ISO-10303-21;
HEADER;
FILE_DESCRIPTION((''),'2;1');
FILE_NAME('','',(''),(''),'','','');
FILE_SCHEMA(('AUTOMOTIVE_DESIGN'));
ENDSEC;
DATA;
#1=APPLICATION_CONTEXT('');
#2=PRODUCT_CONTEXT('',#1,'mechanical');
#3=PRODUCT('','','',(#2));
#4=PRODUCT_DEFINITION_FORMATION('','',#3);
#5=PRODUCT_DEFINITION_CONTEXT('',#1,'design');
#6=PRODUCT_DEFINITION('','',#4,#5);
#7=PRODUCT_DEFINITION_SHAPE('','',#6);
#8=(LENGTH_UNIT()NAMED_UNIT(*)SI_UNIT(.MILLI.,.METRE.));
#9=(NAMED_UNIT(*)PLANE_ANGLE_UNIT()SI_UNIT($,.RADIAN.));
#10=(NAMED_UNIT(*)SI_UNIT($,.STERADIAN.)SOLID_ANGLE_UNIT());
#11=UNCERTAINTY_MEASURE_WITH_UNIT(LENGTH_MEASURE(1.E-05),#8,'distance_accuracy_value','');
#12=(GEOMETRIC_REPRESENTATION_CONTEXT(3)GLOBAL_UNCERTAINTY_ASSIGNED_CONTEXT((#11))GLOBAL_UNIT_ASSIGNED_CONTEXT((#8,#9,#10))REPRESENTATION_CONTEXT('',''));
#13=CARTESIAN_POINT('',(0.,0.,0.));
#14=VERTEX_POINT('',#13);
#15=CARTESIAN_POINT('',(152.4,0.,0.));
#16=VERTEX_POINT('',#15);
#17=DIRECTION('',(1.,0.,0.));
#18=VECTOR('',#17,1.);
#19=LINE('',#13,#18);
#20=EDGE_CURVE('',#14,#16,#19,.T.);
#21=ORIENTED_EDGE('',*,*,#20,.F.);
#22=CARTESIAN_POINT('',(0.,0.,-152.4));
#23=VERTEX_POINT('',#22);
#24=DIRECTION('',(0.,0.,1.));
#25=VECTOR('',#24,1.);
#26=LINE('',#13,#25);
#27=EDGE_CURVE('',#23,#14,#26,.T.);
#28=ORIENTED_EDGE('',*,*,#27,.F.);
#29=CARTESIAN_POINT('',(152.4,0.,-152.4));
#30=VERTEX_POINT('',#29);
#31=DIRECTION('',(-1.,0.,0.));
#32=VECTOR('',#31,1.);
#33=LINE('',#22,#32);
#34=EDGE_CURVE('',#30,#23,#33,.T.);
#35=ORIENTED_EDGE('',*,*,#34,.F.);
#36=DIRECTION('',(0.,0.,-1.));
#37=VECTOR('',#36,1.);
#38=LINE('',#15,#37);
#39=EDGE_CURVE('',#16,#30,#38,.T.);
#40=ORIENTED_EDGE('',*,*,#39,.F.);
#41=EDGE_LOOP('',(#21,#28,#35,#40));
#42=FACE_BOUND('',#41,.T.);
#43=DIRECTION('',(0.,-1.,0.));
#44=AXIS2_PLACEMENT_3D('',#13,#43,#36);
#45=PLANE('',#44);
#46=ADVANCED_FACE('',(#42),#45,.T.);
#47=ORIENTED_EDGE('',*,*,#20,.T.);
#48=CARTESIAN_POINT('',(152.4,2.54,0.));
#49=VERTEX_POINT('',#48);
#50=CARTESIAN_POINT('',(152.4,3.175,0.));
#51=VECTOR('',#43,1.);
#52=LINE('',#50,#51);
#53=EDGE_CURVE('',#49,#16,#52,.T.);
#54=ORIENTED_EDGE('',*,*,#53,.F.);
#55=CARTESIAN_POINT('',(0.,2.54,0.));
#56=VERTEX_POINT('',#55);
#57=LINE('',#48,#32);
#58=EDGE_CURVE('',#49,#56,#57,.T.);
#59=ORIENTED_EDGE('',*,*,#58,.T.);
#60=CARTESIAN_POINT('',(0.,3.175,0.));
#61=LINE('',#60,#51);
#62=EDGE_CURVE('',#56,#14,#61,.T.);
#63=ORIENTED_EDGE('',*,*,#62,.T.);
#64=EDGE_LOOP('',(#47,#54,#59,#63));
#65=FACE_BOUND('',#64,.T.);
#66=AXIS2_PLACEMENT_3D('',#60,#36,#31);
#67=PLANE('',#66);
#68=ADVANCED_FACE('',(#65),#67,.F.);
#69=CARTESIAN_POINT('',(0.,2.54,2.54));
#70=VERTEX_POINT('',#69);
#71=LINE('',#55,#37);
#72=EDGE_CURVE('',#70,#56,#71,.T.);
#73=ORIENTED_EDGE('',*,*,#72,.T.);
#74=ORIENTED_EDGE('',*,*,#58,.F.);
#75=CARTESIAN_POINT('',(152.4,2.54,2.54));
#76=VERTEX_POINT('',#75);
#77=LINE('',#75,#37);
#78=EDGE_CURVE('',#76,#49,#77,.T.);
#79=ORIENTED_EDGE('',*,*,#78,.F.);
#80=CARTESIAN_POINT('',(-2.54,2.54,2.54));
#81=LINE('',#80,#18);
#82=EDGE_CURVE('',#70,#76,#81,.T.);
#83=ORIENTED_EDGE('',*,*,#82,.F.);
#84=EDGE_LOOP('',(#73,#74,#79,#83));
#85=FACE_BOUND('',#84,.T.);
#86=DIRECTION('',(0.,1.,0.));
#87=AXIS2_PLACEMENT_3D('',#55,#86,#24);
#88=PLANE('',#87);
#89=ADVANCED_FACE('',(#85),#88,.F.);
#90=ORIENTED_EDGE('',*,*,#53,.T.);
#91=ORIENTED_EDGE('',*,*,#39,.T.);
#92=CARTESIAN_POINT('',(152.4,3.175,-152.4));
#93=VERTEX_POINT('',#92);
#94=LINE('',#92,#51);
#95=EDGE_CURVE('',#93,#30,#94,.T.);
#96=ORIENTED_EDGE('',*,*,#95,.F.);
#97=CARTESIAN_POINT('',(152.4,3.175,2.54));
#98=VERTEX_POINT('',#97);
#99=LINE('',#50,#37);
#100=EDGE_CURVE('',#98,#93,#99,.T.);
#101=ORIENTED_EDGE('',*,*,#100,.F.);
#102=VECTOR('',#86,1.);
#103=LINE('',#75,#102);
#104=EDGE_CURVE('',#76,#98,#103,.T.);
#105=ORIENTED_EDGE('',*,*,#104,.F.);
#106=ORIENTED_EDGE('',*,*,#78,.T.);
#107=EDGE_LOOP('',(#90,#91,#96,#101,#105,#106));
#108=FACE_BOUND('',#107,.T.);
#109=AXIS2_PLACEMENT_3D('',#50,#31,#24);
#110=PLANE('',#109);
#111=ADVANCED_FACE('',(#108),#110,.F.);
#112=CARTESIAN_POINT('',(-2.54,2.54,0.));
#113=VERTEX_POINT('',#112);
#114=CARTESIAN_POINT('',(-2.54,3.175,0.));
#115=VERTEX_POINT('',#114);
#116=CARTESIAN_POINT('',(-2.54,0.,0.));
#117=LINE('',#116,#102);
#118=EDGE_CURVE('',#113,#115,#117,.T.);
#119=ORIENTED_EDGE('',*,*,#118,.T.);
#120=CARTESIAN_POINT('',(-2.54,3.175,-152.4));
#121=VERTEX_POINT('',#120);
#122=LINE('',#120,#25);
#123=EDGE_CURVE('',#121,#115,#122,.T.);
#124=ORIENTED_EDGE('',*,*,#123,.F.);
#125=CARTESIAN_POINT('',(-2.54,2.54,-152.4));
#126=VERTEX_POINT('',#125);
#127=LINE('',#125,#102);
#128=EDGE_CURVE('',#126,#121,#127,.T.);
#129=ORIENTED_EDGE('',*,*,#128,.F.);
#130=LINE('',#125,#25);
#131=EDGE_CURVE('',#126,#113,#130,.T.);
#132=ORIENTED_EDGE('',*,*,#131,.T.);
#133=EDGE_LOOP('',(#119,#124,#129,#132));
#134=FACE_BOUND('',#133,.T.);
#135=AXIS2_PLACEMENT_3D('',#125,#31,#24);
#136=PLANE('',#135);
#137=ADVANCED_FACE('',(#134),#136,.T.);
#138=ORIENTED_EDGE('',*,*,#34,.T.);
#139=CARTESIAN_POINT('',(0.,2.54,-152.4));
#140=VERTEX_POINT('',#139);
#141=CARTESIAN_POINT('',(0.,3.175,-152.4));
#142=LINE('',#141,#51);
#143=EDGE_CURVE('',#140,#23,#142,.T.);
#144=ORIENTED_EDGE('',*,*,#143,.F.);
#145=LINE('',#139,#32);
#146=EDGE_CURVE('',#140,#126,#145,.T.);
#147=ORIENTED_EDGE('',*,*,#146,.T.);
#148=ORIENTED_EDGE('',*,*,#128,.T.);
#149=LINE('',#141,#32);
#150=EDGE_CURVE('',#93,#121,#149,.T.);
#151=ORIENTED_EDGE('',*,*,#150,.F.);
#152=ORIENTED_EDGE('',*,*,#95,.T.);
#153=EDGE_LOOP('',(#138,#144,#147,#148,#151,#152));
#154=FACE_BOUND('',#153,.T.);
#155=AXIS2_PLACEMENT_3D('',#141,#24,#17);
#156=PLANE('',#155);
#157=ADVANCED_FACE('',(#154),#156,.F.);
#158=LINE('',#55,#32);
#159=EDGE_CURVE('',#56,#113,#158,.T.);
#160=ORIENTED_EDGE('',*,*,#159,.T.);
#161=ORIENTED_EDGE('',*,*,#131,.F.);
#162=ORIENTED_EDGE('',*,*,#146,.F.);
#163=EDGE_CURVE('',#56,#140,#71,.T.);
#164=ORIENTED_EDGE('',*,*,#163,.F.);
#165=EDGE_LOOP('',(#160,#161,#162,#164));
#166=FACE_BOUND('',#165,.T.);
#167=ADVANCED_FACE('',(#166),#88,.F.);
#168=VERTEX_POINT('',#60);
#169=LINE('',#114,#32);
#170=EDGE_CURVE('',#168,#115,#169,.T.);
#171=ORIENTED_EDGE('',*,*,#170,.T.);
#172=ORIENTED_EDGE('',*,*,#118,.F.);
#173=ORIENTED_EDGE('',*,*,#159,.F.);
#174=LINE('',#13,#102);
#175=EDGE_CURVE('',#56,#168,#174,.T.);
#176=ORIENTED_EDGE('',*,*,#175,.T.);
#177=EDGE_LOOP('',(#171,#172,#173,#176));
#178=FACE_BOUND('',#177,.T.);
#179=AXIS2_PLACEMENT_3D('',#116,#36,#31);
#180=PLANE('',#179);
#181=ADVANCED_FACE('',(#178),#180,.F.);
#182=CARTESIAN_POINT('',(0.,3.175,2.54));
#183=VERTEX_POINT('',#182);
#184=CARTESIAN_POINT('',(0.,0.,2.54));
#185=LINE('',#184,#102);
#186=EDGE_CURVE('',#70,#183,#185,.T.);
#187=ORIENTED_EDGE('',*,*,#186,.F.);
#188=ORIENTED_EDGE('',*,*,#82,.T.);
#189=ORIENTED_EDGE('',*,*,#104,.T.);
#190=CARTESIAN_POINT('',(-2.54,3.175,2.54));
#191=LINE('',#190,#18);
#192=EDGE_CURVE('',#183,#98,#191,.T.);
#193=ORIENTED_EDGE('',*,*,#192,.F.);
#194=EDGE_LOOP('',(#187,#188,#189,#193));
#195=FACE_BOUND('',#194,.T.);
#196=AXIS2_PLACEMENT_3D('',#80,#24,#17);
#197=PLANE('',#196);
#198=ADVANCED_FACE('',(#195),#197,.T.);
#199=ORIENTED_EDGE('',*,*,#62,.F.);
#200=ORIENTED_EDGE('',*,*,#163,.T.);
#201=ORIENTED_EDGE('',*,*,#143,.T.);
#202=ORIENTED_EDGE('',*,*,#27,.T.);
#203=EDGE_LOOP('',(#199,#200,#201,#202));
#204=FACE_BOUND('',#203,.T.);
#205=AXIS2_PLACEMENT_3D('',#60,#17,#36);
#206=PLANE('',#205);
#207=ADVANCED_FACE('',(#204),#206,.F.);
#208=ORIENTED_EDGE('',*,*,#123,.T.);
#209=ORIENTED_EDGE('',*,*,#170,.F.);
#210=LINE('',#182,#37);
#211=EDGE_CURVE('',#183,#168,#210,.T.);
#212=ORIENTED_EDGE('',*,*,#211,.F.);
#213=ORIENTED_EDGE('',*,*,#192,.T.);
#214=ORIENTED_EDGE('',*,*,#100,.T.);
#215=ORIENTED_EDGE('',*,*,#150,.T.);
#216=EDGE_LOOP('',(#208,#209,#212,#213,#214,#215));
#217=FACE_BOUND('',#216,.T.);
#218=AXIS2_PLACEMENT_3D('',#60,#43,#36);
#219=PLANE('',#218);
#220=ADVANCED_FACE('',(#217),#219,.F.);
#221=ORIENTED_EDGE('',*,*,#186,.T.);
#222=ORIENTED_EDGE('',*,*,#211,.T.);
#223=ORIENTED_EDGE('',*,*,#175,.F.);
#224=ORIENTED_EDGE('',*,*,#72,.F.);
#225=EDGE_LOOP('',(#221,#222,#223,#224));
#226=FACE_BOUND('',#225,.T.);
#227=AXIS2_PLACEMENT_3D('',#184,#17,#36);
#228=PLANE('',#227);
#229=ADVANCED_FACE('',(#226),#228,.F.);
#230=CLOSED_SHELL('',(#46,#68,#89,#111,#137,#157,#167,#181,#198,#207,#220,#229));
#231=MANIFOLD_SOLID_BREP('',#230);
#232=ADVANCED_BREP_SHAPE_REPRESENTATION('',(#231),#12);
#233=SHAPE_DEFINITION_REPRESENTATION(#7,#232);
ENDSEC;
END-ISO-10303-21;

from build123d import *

# Parameters (mm, degrees)
SKETCH1_W           = 152.4
SKETCH1_H           = 152.4
BOSS_EXTRUDE1_DEPTH = 3.175
BOSS_EXTRUDE2_DEPTH = 0.635
SKETCH3_W           = 2.54
SKETCH3_H           = 2.54
CUT_EXTRUDE1_DEPTH  = 4.175


with BuildPart() as part:
    # Sketch1 → Boss-Extrude1 (new body)
    with BuildSketch(Plane(origin=(0, 0, 0), x_dir=(1, 0, 0), z_dir=(0, 1, 0))):
        with Locations((76.2, 76.2)):
            Rectangle(SKETCH1_W, SKETCH1_H)
    extrude(amount=BOSS_EXTRUDE1_DEPTH)

    # Sketch2 → Boss-Extrude2 (add)
    with BuildSketch(Plane(origin=(0, 3.175, 0), x_dir=(1, 0, 0), z_dir=(0, 1, 0))):
        Polygon((0, 152.4), (-2.54, 152.4), (-2.54, -2.54), (152.4, -2.54), (152.4, 0), (0, 0), align=None)
    extrude(amount=-BOSS_EXTRUDE2_DEPTH)

    # Sketch3 → Cut-Extrude1 (cut, through all)
    with BuildSketch(Plane(origin=(0, 3.175, 0), x_dir=(1, 0, 0), z_dir=(0, 1, 0))):
        with Locations((-1.27, -1.27)):
            Rectangle(SKETCH3_W, SKETCH3_H)
    extrude(amount=-CUT_EXTRUDE1_DEPTH, mode=Mode.SUBTRACT)


solid = part.part
